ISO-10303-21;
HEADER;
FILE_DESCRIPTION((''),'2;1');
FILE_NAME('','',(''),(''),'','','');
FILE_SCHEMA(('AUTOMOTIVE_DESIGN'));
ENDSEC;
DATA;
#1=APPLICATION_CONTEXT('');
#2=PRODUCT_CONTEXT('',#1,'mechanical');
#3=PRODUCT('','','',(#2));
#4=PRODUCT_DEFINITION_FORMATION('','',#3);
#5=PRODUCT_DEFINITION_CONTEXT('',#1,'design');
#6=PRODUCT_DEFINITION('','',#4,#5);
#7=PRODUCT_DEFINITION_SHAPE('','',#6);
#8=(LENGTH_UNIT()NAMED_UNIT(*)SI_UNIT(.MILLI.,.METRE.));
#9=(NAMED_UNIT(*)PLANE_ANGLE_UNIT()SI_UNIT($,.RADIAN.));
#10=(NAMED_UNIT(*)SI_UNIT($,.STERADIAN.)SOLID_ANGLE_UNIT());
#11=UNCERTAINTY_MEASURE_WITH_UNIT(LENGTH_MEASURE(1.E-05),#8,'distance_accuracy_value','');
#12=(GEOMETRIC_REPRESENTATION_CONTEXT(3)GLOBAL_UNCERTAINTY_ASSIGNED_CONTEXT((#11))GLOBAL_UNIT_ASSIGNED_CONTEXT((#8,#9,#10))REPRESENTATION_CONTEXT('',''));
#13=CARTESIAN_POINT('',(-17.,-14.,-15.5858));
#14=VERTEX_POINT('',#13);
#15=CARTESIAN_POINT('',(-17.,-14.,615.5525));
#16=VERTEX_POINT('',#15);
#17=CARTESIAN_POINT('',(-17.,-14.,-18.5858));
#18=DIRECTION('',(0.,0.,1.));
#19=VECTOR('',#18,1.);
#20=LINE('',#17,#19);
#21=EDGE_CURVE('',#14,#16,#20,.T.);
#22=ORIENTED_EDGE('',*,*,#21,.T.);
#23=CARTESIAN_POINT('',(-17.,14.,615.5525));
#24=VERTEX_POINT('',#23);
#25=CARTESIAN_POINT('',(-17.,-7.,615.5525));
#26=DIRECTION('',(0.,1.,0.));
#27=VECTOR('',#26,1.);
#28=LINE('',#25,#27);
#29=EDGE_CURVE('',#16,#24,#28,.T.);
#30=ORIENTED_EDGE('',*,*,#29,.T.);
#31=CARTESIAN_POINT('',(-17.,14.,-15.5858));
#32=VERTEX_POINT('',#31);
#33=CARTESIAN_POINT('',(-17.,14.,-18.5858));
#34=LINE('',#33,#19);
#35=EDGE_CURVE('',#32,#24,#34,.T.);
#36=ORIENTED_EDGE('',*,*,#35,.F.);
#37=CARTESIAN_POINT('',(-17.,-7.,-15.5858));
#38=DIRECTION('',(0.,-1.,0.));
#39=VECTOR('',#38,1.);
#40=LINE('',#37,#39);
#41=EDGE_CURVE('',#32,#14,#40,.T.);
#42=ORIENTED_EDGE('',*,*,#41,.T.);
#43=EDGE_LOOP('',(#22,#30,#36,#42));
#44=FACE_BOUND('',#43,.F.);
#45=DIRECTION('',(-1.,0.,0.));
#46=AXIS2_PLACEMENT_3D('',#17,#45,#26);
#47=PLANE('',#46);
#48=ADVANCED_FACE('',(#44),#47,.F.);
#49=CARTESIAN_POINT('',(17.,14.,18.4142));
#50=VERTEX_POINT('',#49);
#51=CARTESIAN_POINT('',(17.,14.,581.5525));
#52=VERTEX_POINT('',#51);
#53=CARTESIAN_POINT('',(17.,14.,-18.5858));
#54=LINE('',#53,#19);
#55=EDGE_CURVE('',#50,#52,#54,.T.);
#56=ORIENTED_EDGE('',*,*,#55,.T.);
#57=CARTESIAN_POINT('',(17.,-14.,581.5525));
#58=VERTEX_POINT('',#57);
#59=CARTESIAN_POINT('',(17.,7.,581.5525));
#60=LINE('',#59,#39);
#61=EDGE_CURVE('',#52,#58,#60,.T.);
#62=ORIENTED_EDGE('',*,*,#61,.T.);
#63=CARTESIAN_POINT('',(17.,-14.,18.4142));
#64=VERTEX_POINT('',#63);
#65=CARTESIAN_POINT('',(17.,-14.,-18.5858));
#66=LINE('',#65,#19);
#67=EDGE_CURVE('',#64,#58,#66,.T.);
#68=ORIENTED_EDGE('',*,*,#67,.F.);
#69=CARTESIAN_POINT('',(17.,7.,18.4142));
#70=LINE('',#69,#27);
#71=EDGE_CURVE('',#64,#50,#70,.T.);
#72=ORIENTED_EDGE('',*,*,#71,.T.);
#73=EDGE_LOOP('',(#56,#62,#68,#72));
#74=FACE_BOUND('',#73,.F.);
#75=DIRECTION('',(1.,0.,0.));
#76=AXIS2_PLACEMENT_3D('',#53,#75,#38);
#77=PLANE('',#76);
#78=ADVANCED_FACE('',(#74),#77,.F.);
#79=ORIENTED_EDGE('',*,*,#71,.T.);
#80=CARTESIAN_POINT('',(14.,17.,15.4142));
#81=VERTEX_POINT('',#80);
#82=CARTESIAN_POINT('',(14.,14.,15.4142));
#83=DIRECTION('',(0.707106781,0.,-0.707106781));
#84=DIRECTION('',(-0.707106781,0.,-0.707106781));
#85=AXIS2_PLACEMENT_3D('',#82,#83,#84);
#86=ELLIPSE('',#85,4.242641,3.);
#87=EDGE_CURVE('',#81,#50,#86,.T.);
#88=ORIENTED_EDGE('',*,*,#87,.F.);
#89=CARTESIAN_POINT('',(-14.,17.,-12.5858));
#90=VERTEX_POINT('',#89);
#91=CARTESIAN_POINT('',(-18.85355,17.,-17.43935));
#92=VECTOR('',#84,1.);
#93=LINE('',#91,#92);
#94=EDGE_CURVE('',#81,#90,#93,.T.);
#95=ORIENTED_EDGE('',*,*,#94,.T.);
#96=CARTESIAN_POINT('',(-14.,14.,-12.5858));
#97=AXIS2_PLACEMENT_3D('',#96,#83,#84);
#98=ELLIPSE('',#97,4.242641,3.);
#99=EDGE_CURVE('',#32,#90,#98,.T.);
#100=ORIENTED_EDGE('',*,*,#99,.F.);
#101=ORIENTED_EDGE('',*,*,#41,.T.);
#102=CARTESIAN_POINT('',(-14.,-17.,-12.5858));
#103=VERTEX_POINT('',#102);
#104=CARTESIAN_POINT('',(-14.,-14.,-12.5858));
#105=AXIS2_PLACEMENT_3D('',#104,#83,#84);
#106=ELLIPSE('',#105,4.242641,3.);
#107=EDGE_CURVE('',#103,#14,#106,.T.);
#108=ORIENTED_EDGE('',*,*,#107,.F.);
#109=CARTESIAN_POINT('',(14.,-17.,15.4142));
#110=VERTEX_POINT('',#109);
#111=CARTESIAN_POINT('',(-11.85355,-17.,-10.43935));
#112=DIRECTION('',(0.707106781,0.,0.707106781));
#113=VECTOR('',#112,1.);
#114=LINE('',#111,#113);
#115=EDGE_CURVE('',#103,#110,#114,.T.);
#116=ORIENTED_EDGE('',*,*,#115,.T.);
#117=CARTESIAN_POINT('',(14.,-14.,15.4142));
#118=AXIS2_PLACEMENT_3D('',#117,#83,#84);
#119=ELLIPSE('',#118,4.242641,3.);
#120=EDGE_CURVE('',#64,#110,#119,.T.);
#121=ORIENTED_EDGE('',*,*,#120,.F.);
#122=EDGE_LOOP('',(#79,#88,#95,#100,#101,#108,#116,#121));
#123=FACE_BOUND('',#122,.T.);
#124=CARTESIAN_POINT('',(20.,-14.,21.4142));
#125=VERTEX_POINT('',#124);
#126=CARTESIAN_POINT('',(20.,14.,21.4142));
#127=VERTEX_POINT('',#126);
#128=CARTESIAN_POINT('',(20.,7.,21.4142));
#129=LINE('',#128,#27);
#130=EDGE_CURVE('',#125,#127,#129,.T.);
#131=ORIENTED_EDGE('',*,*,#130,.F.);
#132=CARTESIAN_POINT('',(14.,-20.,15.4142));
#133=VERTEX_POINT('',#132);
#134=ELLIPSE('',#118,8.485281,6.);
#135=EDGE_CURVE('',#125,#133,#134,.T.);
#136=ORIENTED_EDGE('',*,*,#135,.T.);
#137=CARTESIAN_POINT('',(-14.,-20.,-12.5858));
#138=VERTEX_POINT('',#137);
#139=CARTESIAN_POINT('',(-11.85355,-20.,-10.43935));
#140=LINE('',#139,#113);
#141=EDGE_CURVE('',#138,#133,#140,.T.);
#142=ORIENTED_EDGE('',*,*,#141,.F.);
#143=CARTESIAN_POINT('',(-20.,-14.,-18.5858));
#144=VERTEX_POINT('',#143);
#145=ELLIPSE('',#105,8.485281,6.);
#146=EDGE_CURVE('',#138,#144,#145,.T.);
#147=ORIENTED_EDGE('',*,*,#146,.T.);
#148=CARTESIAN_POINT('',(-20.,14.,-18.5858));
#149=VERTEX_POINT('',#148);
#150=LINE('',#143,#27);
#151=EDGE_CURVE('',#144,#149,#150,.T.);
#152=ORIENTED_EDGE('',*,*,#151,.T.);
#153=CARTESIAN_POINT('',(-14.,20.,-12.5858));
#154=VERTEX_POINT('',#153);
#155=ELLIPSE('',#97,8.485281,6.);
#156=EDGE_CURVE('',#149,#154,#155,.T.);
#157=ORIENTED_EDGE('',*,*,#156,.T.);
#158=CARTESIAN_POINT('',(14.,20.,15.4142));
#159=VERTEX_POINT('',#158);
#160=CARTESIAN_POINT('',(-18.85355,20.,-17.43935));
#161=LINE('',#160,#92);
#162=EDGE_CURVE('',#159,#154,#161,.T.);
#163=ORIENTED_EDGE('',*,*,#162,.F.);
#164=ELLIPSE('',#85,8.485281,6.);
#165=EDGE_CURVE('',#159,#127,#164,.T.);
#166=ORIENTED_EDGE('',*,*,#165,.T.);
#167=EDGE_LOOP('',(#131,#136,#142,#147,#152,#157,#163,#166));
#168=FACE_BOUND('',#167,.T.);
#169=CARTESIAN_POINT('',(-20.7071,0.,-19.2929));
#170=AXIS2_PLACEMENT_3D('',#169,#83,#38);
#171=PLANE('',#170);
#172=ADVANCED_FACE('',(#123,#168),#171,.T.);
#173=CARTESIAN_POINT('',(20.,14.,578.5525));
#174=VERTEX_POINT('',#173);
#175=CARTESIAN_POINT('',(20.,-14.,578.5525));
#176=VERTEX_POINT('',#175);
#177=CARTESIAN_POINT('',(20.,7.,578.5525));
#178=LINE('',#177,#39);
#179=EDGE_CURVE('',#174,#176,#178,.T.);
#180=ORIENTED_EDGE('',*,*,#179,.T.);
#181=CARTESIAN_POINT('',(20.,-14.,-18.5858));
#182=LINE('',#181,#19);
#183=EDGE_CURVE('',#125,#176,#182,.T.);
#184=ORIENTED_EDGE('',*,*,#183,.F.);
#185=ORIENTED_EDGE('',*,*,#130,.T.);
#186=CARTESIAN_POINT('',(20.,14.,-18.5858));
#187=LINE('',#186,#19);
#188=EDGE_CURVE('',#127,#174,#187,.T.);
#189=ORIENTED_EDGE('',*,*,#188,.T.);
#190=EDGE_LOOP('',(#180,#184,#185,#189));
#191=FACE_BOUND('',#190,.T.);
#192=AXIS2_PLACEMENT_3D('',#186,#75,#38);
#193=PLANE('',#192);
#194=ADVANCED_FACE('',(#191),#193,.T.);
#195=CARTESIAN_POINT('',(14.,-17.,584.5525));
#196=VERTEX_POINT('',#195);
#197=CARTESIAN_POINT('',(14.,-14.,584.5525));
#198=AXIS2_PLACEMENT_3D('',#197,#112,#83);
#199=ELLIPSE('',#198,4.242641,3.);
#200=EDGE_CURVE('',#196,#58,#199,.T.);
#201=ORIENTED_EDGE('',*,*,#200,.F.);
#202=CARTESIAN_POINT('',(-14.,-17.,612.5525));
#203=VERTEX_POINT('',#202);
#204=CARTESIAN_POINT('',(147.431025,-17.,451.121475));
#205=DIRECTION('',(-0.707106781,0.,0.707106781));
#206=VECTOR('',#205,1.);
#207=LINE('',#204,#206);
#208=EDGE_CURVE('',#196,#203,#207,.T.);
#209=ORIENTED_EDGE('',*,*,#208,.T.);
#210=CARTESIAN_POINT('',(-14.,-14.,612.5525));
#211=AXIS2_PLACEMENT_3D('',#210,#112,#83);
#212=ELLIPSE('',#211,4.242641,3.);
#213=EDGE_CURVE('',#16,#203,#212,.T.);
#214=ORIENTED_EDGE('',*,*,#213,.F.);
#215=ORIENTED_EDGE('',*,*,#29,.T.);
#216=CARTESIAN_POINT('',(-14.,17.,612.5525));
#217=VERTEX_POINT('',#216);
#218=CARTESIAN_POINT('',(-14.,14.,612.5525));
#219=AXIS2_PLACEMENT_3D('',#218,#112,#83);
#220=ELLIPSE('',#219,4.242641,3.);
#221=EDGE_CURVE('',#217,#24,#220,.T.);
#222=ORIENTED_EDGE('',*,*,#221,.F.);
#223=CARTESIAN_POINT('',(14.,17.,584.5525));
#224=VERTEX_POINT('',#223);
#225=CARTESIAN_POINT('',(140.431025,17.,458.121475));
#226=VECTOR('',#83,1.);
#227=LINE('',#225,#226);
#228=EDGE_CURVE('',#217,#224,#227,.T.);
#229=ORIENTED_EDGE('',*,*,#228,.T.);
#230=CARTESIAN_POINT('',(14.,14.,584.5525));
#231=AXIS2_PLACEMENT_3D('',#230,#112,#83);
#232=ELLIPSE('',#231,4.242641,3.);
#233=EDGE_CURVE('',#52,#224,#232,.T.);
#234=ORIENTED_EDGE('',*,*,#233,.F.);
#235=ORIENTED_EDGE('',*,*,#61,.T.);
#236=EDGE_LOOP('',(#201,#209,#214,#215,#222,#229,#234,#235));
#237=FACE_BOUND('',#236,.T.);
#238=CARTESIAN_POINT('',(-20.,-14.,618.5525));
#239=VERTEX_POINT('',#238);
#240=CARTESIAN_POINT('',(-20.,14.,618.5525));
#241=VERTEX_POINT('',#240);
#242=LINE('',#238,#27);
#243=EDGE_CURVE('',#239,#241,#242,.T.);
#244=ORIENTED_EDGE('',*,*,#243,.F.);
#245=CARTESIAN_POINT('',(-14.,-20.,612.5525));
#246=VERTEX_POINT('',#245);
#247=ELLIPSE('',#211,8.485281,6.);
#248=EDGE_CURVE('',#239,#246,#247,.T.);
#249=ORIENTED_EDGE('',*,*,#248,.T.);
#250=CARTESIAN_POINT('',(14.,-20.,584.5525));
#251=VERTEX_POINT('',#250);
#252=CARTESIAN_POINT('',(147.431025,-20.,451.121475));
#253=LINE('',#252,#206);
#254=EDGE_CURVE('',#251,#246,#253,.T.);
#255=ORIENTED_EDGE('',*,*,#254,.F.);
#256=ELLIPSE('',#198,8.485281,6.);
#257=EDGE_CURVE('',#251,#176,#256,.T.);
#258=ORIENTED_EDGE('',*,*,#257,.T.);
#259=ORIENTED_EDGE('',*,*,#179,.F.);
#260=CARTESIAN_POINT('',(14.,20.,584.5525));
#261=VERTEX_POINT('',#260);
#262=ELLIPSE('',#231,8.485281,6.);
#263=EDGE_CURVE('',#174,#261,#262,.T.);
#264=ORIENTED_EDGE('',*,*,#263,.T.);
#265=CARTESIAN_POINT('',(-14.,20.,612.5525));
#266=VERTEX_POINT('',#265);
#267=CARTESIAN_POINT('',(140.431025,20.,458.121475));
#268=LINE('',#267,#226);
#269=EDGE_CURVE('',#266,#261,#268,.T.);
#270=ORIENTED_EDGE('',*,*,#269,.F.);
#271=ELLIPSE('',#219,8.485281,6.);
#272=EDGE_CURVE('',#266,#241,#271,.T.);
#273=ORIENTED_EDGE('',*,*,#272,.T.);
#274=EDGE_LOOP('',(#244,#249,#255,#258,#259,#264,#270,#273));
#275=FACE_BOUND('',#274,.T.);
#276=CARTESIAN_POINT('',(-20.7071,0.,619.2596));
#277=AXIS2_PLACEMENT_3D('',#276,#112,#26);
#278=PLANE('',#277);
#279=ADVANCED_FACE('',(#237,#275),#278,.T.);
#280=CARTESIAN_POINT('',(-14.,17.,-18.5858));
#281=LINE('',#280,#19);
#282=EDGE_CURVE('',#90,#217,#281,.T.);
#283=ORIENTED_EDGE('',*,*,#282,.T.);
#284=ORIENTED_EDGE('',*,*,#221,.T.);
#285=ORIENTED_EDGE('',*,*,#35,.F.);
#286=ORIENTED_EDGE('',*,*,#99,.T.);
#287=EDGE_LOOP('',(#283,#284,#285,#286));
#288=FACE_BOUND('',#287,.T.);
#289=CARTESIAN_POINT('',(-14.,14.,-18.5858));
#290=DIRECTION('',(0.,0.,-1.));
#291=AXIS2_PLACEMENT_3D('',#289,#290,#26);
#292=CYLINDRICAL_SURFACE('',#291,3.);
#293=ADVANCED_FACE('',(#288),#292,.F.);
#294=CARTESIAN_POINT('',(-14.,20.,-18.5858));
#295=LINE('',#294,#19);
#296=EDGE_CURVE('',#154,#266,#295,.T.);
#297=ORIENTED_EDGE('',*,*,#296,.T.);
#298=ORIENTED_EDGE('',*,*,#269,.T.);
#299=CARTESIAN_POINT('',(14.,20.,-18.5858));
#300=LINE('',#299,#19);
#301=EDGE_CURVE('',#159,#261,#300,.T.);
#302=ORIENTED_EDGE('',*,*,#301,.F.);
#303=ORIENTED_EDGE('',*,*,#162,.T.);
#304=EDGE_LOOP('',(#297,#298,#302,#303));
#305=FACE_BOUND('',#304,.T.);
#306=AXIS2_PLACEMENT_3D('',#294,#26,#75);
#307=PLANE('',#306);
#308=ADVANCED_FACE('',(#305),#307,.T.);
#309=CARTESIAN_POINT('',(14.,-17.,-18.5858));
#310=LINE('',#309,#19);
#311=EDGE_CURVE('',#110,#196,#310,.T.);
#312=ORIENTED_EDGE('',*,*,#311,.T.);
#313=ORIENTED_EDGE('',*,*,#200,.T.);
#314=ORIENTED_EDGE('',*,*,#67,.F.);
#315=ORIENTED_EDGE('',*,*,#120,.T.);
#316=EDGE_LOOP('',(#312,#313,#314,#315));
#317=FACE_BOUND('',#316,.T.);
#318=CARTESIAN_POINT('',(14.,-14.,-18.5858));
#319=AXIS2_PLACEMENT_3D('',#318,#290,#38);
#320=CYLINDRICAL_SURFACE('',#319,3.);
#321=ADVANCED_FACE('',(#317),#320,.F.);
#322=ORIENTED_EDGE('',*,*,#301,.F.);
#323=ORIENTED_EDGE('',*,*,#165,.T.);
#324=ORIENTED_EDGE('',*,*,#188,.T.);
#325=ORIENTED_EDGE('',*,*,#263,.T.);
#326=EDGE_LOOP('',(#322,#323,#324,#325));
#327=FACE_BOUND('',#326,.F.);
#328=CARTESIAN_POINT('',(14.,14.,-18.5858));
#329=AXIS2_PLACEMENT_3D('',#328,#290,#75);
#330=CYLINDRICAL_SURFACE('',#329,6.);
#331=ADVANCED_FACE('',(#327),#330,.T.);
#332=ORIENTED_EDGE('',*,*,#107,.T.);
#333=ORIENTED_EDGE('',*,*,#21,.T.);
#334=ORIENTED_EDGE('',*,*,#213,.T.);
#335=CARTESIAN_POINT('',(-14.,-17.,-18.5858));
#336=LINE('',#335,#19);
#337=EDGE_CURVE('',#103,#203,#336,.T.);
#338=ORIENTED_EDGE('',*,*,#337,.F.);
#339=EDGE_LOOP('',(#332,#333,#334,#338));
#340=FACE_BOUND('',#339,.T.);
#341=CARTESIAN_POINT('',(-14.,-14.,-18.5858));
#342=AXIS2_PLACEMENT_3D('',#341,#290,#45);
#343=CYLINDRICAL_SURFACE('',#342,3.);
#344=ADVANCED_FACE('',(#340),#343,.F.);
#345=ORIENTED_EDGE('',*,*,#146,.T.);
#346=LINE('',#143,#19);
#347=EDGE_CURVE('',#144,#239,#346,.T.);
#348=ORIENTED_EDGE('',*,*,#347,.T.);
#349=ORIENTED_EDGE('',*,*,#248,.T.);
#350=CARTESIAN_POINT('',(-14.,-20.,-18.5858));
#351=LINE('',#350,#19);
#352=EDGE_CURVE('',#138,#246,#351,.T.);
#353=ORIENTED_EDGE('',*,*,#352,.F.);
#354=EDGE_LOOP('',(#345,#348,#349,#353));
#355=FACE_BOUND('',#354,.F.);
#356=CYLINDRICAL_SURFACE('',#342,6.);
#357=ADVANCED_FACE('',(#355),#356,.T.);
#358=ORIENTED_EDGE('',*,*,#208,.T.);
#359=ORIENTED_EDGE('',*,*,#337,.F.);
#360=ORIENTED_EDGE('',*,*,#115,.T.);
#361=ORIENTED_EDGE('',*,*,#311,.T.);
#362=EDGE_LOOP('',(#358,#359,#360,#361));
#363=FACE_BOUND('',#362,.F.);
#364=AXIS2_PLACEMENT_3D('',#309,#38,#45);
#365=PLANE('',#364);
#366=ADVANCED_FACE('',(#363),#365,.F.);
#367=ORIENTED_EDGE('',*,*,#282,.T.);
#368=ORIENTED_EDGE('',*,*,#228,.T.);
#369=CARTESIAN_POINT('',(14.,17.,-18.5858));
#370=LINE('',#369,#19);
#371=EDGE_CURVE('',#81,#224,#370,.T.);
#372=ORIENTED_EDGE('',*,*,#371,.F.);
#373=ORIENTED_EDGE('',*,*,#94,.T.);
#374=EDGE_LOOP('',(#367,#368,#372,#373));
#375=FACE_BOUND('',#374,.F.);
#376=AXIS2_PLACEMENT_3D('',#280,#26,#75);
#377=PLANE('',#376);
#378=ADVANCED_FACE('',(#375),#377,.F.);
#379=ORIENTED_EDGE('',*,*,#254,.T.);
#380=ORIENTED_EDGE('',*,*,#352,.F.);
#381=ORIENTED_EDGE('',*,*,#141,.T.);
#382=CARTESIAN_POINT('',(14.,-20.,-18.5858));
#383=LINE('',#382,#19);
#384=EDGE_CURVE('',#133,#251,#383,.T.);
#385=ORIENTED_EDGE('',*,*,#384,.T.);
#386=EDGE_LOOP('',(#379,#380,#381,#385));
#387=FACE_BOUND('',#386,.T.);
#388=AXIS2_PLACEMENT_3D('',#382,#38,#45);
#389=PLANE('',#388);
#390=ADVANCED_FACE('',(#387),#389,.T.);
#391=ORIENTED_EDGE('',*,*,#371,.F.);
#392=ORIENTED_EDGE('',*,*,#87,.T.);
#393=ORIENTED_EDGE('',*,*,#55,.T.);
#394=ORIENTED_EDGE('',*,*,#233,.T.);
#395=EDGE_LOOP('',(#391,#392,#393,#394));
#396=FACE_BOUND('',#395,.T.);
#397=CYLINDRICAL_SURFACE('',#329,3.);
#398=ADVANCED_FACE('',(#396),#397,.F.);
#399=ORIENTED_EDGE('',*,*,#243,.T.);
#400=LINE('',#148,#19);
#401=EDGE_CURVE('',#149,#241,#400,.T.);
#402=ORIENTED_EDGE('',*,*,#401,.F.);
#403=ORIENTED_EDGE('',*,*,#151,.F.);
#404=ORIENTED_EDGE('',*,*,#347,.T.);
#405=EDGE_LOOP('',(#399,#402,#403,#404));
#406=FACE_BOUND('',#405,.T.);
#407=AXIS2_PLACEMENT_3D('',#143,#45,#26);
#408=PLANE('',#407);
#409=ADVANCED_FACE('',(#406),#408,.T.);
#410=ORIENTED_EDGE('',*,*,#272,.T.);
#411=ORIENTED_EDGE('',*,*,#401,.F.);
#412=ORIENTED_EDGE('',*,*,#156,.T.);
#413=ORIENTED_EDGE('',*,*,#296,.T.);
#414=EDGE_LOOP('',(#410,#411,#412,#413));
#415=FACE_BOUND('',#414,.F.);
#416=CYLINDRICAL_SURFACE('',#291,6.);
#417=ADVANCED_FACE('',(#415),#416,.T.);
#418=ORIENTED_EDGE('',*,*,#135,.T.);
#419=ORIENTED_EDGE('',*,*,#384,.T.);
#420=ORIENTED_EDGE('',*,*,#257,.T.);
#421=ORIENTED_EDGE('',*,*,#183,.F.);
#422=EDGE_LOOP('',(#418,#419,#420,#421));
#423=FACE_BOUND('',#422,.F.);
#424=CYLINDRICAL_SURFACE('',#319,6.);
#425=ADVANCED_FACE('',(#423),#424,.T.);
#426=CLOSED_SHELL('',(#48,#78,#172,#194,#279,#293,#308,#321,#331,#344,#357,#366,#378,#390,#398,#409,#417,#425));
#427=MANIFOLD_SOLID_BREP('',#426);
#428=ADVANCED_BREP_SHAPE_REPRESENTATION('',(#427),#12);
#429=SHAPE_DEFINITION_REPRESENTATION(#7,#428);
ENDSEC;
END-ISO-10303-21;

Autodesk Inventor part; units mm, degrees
ref_plane "Start Plane" through (0, 0, -18.5858) normal (0, 0, 1) x (1, 0, 0)
ref_plane "End Plane" through (0, 0, 618.5525) normal (0, 0, 1) x (1, 0, 0)
sketch "Sketch" plane through (0, 0, 0) normal (0, 0, 1) x (1, 0, 0)
  line L0 (-20, -14) -> (-20, 14)
  line L1 (-14, 20) -> (14, 20)
  line L2 (20, 14) -> (20, -14)
  line L3 (14, -20) -> (-14, -20)
  arc A0 (-20, -14) -> (-14, -20) centre (-14, -14) ccw
  arc A1 (20, 14) -> (14, 20) centre (14, 14) ccw
  arc A2 (-14, 20) -> (-20, 14) centre (-14, 14) ccw
  arc A3 (14, -20) -> (20, -14) centre (14, -14) ccw
  arc A4 (-14, 17) -> (-17, 14) centre (-14, 14) ccw
  line L4 (-14, 17) -> (14, 17)
  arc A5 (17, 14) -> (14, 17) centre (14, 14) ccw
  line L5 (17, 14) -> (17, -14)
  arc A6 (14, -17) -> (17, -14) centre (14, -14) ccw
  line L6 (14, -17) -> (-14, -17)
  arc A7 (-17, -14) -> (-14, -17) centre (-14, -14) ccw
  line L7 (-17, -14) -> (-17, 14)
  line L8 (0, 29.7397) -> (0, -29.7397) construction
  line L9 (-29.7397, 0) -> (29.7397, 0) construction
  dimension "d7" = 6
  dimension "d9" = 40
  dimension "d11" = 40
  dimension "d12" = 3
  dimension "d15" = 20
  dimension "d16" = 20
extrude "Body" add sketch "Sketch" along normal up to surface (637.1383 mm away) from surface at -18.5858
sketch "Sketch3" plane through (0, 0, 0) normal (0, 0, 1) x (1, 0, 0)
  line L0 (0, 0) -> (10, 0)
ref_plane "Work Plane3" through (0, 0, 0) normal (0, -1, 0) x (1, 0, 0)
ref_plane "Work Plane4" through (-20.7071, 0, -19.2929) normal (0.7071, 0, -0.7071) x (-0.7071, 0, -0.7071)
split "Split1" plane through (-20.7071, 0, -19.2929) removes the side toward (0.7071, 0, -0.7071)
ref_plane "Work Plane5" through (-20.7071, 0, 619.2596) normal (0.7071, 0, 0.7071) x (0.7071, 0, -0.7071)
split "Split2" plane through (-20.7071, 0, 619.2596) removes the side toward (0.7071, 0, 0.7071)
sketch "Sketch4" plane through (0, 0, 0) normal (0, -1, 0) x (1, 0, 0)
  line L0 (-2, -18.5858) -> (12, -18.5858) projected
  line L1 (-2, 618.5525) -> (12, 618.5525) projected
  dimension "d18" = 637.1383
equation "\"d7\" = G_IR"
equation "\"d9\" = G_W"
equation "\"d11\" = G_H"
equation "\"d12\" = G_T"
equation "\"d15\" = 0.5 * d9"
equation "\"d16\" = 0.5 * d11"
equation "\"d3\" = G_L"
equation "\"G_W\" = 40"
equation "\"G_H\" = 40"
equation "\"G_T\" = 3"
equation "\"G_IR\" = 6"
equation "\"G_L\" = d18"
equation "\"G_OFFSET_START\" = 18.58579"
equation "\"G_OFFSET_END\" = 18.58579"
equation "\"d13\" = -G_OFFSET_START"
equation "\"d14\" = G_OFFSET_END + B_L"
equation "\"B_L\" = 599.96675"
properties part number "ISO 10799-2 - 40x40x3 - 637,14" material "Steel, Mild"
